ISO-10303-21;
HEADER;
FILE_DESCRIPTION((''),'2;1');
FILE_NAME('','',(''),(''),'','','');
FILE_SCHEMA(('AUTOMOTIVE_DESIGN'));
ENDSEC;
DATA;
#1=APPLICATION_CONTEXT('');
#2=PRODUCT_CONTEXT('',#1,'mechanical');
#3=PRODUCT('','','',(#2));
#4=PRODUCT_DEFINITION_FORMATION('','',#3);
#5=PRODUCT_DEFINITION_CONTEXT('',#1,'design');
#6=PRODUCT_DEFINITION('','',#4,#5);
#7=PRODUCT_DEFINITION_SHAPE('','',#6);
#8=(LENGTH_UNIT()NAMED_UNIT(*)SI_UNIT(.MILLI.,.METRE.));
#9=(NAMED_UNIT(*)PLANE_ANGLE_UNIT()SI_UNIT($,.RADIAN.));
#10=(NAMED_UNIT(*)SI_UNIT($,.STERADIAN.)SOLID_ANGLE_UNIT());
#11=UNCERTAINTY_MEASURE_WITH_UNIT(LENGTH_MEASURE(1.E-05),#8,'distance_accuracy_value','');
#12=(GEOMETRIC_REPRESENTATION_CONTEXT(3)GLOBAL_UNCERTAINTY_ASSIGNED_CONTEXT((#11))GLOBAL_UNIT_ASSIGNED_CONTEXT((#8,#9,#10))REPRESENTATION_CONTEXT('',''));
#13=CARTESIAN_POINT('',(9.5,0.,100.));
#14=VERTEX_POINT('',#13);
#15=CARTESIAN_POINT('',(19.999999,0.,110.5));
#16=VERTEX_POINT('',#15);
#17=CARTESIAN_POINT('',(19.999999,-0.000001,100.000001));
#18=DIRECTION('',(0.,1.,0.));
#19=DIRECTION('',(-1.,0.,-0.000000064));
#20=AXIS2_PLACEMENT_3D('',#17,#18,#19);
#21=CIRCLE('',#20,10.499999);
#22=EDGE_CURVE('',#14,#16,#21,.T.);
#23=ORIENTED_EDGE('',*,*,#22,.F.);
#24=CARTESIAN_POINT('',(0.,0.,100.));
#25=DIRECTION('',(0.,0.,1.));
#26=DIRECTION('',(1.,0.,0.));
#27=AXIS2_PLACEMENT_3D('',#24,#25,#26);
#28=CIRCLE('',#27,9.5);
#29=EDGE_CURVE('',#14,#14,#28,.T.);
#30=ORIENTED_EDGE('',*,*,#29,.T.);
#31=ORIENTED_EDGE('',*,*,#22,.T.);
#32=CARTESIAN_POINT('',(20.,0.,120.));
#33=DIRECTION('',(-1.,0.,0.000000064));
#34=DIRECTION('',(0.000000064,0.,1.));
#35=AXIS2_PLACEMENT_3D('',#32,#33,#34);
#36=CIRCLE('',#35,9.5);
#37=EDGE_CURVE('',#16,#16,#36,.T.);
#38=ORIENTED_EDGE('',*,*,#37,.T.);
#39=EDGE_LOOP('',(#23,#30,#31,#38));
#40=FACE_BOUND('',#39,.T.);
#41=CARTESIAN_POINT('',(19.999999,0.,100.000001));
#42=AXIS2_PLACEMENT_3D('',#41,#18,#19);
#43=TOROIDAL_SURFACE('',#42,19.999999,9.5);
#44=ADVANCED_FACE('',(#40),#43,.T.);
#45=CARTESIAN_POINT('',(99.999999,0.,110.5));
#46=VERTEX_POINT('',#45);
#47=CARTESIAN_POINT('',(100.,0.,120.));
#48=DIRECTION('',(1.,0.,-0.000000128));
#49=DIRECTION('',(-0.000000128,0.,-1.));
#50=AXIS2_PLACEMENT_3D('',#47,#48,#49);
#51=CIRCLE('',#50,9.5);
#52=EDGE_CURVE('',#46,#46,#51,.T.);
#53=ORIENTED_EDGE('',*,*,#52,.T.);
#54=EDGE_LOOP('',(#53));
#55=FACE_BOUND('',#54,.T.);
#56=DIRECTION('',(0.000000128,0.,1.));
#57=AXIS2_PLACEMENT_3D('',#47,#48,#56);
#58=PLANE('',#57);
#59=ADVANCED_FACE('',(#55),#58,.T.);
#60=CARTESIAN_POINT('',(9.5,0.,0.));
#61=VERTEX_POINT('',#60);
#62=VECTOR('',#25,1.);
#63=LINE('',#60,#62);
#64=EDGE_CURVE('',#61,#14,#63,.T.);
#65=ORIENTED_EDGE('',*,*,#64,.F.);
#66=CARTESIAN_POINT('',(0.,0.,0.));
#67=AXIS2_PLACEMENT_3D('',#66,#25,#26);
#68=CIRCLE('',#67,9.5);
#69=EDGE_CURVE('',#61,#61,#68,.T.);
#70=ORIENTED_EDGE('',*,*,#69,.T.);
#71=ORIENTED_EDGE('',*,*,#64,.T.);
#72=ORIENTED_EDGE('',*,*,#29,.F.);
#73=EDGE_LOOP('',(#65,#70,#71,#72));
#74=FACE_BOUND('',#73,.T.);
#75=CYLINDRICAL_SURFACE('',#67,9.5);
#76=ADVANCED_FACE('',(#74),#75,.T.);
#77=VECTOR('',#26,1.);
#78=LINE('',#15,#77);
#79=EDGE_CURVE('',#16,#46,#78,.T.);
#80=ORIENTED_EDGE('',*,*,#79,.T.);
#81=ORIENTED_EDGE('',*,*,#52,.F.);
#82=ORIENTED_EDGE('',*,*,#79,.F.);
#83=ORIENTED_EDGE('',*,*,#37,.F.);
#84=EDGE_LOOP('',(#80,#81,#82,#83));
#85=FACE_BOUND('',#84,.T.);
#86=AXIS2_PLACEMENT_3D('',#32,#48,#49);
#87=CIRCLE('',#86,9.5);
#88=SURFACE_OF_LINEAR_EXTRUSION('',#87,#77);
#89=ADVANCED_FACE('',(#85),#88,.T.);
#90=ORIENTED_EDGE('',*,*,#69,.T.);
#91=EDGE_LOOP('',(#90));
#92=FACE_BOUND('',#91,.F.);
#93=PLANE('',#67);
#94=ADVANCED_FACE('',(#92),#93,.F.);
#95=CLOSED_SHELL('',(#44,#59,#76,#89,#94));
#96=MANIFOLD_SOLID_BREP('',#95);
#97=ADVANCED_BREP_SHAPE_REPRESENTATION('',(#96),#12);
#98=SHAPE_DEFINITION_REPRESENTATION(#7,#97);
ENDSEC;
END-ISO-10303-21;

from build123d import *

# Parameters (mm, degrees)
SKETCH_R = 9.5


with BuildPart() as part:
    # AdditivePipe: sweep along a path in Sketch001
    with BuildLine(Plane.XZ) as additivepipe_path:
        Line((0, 0), (0, 100))
        ThreePointArc((0, 100), (5.857864, 114.142136), (20, 120))
        Line((20, 120), (100, 120))
    # Sketch → AdditivePipe (sweep)
    with BuildSketch(Plane.XY):
        Circle(SKETCH_R)
    sweep(path=additivepipe_path.line)


solid = part.part
